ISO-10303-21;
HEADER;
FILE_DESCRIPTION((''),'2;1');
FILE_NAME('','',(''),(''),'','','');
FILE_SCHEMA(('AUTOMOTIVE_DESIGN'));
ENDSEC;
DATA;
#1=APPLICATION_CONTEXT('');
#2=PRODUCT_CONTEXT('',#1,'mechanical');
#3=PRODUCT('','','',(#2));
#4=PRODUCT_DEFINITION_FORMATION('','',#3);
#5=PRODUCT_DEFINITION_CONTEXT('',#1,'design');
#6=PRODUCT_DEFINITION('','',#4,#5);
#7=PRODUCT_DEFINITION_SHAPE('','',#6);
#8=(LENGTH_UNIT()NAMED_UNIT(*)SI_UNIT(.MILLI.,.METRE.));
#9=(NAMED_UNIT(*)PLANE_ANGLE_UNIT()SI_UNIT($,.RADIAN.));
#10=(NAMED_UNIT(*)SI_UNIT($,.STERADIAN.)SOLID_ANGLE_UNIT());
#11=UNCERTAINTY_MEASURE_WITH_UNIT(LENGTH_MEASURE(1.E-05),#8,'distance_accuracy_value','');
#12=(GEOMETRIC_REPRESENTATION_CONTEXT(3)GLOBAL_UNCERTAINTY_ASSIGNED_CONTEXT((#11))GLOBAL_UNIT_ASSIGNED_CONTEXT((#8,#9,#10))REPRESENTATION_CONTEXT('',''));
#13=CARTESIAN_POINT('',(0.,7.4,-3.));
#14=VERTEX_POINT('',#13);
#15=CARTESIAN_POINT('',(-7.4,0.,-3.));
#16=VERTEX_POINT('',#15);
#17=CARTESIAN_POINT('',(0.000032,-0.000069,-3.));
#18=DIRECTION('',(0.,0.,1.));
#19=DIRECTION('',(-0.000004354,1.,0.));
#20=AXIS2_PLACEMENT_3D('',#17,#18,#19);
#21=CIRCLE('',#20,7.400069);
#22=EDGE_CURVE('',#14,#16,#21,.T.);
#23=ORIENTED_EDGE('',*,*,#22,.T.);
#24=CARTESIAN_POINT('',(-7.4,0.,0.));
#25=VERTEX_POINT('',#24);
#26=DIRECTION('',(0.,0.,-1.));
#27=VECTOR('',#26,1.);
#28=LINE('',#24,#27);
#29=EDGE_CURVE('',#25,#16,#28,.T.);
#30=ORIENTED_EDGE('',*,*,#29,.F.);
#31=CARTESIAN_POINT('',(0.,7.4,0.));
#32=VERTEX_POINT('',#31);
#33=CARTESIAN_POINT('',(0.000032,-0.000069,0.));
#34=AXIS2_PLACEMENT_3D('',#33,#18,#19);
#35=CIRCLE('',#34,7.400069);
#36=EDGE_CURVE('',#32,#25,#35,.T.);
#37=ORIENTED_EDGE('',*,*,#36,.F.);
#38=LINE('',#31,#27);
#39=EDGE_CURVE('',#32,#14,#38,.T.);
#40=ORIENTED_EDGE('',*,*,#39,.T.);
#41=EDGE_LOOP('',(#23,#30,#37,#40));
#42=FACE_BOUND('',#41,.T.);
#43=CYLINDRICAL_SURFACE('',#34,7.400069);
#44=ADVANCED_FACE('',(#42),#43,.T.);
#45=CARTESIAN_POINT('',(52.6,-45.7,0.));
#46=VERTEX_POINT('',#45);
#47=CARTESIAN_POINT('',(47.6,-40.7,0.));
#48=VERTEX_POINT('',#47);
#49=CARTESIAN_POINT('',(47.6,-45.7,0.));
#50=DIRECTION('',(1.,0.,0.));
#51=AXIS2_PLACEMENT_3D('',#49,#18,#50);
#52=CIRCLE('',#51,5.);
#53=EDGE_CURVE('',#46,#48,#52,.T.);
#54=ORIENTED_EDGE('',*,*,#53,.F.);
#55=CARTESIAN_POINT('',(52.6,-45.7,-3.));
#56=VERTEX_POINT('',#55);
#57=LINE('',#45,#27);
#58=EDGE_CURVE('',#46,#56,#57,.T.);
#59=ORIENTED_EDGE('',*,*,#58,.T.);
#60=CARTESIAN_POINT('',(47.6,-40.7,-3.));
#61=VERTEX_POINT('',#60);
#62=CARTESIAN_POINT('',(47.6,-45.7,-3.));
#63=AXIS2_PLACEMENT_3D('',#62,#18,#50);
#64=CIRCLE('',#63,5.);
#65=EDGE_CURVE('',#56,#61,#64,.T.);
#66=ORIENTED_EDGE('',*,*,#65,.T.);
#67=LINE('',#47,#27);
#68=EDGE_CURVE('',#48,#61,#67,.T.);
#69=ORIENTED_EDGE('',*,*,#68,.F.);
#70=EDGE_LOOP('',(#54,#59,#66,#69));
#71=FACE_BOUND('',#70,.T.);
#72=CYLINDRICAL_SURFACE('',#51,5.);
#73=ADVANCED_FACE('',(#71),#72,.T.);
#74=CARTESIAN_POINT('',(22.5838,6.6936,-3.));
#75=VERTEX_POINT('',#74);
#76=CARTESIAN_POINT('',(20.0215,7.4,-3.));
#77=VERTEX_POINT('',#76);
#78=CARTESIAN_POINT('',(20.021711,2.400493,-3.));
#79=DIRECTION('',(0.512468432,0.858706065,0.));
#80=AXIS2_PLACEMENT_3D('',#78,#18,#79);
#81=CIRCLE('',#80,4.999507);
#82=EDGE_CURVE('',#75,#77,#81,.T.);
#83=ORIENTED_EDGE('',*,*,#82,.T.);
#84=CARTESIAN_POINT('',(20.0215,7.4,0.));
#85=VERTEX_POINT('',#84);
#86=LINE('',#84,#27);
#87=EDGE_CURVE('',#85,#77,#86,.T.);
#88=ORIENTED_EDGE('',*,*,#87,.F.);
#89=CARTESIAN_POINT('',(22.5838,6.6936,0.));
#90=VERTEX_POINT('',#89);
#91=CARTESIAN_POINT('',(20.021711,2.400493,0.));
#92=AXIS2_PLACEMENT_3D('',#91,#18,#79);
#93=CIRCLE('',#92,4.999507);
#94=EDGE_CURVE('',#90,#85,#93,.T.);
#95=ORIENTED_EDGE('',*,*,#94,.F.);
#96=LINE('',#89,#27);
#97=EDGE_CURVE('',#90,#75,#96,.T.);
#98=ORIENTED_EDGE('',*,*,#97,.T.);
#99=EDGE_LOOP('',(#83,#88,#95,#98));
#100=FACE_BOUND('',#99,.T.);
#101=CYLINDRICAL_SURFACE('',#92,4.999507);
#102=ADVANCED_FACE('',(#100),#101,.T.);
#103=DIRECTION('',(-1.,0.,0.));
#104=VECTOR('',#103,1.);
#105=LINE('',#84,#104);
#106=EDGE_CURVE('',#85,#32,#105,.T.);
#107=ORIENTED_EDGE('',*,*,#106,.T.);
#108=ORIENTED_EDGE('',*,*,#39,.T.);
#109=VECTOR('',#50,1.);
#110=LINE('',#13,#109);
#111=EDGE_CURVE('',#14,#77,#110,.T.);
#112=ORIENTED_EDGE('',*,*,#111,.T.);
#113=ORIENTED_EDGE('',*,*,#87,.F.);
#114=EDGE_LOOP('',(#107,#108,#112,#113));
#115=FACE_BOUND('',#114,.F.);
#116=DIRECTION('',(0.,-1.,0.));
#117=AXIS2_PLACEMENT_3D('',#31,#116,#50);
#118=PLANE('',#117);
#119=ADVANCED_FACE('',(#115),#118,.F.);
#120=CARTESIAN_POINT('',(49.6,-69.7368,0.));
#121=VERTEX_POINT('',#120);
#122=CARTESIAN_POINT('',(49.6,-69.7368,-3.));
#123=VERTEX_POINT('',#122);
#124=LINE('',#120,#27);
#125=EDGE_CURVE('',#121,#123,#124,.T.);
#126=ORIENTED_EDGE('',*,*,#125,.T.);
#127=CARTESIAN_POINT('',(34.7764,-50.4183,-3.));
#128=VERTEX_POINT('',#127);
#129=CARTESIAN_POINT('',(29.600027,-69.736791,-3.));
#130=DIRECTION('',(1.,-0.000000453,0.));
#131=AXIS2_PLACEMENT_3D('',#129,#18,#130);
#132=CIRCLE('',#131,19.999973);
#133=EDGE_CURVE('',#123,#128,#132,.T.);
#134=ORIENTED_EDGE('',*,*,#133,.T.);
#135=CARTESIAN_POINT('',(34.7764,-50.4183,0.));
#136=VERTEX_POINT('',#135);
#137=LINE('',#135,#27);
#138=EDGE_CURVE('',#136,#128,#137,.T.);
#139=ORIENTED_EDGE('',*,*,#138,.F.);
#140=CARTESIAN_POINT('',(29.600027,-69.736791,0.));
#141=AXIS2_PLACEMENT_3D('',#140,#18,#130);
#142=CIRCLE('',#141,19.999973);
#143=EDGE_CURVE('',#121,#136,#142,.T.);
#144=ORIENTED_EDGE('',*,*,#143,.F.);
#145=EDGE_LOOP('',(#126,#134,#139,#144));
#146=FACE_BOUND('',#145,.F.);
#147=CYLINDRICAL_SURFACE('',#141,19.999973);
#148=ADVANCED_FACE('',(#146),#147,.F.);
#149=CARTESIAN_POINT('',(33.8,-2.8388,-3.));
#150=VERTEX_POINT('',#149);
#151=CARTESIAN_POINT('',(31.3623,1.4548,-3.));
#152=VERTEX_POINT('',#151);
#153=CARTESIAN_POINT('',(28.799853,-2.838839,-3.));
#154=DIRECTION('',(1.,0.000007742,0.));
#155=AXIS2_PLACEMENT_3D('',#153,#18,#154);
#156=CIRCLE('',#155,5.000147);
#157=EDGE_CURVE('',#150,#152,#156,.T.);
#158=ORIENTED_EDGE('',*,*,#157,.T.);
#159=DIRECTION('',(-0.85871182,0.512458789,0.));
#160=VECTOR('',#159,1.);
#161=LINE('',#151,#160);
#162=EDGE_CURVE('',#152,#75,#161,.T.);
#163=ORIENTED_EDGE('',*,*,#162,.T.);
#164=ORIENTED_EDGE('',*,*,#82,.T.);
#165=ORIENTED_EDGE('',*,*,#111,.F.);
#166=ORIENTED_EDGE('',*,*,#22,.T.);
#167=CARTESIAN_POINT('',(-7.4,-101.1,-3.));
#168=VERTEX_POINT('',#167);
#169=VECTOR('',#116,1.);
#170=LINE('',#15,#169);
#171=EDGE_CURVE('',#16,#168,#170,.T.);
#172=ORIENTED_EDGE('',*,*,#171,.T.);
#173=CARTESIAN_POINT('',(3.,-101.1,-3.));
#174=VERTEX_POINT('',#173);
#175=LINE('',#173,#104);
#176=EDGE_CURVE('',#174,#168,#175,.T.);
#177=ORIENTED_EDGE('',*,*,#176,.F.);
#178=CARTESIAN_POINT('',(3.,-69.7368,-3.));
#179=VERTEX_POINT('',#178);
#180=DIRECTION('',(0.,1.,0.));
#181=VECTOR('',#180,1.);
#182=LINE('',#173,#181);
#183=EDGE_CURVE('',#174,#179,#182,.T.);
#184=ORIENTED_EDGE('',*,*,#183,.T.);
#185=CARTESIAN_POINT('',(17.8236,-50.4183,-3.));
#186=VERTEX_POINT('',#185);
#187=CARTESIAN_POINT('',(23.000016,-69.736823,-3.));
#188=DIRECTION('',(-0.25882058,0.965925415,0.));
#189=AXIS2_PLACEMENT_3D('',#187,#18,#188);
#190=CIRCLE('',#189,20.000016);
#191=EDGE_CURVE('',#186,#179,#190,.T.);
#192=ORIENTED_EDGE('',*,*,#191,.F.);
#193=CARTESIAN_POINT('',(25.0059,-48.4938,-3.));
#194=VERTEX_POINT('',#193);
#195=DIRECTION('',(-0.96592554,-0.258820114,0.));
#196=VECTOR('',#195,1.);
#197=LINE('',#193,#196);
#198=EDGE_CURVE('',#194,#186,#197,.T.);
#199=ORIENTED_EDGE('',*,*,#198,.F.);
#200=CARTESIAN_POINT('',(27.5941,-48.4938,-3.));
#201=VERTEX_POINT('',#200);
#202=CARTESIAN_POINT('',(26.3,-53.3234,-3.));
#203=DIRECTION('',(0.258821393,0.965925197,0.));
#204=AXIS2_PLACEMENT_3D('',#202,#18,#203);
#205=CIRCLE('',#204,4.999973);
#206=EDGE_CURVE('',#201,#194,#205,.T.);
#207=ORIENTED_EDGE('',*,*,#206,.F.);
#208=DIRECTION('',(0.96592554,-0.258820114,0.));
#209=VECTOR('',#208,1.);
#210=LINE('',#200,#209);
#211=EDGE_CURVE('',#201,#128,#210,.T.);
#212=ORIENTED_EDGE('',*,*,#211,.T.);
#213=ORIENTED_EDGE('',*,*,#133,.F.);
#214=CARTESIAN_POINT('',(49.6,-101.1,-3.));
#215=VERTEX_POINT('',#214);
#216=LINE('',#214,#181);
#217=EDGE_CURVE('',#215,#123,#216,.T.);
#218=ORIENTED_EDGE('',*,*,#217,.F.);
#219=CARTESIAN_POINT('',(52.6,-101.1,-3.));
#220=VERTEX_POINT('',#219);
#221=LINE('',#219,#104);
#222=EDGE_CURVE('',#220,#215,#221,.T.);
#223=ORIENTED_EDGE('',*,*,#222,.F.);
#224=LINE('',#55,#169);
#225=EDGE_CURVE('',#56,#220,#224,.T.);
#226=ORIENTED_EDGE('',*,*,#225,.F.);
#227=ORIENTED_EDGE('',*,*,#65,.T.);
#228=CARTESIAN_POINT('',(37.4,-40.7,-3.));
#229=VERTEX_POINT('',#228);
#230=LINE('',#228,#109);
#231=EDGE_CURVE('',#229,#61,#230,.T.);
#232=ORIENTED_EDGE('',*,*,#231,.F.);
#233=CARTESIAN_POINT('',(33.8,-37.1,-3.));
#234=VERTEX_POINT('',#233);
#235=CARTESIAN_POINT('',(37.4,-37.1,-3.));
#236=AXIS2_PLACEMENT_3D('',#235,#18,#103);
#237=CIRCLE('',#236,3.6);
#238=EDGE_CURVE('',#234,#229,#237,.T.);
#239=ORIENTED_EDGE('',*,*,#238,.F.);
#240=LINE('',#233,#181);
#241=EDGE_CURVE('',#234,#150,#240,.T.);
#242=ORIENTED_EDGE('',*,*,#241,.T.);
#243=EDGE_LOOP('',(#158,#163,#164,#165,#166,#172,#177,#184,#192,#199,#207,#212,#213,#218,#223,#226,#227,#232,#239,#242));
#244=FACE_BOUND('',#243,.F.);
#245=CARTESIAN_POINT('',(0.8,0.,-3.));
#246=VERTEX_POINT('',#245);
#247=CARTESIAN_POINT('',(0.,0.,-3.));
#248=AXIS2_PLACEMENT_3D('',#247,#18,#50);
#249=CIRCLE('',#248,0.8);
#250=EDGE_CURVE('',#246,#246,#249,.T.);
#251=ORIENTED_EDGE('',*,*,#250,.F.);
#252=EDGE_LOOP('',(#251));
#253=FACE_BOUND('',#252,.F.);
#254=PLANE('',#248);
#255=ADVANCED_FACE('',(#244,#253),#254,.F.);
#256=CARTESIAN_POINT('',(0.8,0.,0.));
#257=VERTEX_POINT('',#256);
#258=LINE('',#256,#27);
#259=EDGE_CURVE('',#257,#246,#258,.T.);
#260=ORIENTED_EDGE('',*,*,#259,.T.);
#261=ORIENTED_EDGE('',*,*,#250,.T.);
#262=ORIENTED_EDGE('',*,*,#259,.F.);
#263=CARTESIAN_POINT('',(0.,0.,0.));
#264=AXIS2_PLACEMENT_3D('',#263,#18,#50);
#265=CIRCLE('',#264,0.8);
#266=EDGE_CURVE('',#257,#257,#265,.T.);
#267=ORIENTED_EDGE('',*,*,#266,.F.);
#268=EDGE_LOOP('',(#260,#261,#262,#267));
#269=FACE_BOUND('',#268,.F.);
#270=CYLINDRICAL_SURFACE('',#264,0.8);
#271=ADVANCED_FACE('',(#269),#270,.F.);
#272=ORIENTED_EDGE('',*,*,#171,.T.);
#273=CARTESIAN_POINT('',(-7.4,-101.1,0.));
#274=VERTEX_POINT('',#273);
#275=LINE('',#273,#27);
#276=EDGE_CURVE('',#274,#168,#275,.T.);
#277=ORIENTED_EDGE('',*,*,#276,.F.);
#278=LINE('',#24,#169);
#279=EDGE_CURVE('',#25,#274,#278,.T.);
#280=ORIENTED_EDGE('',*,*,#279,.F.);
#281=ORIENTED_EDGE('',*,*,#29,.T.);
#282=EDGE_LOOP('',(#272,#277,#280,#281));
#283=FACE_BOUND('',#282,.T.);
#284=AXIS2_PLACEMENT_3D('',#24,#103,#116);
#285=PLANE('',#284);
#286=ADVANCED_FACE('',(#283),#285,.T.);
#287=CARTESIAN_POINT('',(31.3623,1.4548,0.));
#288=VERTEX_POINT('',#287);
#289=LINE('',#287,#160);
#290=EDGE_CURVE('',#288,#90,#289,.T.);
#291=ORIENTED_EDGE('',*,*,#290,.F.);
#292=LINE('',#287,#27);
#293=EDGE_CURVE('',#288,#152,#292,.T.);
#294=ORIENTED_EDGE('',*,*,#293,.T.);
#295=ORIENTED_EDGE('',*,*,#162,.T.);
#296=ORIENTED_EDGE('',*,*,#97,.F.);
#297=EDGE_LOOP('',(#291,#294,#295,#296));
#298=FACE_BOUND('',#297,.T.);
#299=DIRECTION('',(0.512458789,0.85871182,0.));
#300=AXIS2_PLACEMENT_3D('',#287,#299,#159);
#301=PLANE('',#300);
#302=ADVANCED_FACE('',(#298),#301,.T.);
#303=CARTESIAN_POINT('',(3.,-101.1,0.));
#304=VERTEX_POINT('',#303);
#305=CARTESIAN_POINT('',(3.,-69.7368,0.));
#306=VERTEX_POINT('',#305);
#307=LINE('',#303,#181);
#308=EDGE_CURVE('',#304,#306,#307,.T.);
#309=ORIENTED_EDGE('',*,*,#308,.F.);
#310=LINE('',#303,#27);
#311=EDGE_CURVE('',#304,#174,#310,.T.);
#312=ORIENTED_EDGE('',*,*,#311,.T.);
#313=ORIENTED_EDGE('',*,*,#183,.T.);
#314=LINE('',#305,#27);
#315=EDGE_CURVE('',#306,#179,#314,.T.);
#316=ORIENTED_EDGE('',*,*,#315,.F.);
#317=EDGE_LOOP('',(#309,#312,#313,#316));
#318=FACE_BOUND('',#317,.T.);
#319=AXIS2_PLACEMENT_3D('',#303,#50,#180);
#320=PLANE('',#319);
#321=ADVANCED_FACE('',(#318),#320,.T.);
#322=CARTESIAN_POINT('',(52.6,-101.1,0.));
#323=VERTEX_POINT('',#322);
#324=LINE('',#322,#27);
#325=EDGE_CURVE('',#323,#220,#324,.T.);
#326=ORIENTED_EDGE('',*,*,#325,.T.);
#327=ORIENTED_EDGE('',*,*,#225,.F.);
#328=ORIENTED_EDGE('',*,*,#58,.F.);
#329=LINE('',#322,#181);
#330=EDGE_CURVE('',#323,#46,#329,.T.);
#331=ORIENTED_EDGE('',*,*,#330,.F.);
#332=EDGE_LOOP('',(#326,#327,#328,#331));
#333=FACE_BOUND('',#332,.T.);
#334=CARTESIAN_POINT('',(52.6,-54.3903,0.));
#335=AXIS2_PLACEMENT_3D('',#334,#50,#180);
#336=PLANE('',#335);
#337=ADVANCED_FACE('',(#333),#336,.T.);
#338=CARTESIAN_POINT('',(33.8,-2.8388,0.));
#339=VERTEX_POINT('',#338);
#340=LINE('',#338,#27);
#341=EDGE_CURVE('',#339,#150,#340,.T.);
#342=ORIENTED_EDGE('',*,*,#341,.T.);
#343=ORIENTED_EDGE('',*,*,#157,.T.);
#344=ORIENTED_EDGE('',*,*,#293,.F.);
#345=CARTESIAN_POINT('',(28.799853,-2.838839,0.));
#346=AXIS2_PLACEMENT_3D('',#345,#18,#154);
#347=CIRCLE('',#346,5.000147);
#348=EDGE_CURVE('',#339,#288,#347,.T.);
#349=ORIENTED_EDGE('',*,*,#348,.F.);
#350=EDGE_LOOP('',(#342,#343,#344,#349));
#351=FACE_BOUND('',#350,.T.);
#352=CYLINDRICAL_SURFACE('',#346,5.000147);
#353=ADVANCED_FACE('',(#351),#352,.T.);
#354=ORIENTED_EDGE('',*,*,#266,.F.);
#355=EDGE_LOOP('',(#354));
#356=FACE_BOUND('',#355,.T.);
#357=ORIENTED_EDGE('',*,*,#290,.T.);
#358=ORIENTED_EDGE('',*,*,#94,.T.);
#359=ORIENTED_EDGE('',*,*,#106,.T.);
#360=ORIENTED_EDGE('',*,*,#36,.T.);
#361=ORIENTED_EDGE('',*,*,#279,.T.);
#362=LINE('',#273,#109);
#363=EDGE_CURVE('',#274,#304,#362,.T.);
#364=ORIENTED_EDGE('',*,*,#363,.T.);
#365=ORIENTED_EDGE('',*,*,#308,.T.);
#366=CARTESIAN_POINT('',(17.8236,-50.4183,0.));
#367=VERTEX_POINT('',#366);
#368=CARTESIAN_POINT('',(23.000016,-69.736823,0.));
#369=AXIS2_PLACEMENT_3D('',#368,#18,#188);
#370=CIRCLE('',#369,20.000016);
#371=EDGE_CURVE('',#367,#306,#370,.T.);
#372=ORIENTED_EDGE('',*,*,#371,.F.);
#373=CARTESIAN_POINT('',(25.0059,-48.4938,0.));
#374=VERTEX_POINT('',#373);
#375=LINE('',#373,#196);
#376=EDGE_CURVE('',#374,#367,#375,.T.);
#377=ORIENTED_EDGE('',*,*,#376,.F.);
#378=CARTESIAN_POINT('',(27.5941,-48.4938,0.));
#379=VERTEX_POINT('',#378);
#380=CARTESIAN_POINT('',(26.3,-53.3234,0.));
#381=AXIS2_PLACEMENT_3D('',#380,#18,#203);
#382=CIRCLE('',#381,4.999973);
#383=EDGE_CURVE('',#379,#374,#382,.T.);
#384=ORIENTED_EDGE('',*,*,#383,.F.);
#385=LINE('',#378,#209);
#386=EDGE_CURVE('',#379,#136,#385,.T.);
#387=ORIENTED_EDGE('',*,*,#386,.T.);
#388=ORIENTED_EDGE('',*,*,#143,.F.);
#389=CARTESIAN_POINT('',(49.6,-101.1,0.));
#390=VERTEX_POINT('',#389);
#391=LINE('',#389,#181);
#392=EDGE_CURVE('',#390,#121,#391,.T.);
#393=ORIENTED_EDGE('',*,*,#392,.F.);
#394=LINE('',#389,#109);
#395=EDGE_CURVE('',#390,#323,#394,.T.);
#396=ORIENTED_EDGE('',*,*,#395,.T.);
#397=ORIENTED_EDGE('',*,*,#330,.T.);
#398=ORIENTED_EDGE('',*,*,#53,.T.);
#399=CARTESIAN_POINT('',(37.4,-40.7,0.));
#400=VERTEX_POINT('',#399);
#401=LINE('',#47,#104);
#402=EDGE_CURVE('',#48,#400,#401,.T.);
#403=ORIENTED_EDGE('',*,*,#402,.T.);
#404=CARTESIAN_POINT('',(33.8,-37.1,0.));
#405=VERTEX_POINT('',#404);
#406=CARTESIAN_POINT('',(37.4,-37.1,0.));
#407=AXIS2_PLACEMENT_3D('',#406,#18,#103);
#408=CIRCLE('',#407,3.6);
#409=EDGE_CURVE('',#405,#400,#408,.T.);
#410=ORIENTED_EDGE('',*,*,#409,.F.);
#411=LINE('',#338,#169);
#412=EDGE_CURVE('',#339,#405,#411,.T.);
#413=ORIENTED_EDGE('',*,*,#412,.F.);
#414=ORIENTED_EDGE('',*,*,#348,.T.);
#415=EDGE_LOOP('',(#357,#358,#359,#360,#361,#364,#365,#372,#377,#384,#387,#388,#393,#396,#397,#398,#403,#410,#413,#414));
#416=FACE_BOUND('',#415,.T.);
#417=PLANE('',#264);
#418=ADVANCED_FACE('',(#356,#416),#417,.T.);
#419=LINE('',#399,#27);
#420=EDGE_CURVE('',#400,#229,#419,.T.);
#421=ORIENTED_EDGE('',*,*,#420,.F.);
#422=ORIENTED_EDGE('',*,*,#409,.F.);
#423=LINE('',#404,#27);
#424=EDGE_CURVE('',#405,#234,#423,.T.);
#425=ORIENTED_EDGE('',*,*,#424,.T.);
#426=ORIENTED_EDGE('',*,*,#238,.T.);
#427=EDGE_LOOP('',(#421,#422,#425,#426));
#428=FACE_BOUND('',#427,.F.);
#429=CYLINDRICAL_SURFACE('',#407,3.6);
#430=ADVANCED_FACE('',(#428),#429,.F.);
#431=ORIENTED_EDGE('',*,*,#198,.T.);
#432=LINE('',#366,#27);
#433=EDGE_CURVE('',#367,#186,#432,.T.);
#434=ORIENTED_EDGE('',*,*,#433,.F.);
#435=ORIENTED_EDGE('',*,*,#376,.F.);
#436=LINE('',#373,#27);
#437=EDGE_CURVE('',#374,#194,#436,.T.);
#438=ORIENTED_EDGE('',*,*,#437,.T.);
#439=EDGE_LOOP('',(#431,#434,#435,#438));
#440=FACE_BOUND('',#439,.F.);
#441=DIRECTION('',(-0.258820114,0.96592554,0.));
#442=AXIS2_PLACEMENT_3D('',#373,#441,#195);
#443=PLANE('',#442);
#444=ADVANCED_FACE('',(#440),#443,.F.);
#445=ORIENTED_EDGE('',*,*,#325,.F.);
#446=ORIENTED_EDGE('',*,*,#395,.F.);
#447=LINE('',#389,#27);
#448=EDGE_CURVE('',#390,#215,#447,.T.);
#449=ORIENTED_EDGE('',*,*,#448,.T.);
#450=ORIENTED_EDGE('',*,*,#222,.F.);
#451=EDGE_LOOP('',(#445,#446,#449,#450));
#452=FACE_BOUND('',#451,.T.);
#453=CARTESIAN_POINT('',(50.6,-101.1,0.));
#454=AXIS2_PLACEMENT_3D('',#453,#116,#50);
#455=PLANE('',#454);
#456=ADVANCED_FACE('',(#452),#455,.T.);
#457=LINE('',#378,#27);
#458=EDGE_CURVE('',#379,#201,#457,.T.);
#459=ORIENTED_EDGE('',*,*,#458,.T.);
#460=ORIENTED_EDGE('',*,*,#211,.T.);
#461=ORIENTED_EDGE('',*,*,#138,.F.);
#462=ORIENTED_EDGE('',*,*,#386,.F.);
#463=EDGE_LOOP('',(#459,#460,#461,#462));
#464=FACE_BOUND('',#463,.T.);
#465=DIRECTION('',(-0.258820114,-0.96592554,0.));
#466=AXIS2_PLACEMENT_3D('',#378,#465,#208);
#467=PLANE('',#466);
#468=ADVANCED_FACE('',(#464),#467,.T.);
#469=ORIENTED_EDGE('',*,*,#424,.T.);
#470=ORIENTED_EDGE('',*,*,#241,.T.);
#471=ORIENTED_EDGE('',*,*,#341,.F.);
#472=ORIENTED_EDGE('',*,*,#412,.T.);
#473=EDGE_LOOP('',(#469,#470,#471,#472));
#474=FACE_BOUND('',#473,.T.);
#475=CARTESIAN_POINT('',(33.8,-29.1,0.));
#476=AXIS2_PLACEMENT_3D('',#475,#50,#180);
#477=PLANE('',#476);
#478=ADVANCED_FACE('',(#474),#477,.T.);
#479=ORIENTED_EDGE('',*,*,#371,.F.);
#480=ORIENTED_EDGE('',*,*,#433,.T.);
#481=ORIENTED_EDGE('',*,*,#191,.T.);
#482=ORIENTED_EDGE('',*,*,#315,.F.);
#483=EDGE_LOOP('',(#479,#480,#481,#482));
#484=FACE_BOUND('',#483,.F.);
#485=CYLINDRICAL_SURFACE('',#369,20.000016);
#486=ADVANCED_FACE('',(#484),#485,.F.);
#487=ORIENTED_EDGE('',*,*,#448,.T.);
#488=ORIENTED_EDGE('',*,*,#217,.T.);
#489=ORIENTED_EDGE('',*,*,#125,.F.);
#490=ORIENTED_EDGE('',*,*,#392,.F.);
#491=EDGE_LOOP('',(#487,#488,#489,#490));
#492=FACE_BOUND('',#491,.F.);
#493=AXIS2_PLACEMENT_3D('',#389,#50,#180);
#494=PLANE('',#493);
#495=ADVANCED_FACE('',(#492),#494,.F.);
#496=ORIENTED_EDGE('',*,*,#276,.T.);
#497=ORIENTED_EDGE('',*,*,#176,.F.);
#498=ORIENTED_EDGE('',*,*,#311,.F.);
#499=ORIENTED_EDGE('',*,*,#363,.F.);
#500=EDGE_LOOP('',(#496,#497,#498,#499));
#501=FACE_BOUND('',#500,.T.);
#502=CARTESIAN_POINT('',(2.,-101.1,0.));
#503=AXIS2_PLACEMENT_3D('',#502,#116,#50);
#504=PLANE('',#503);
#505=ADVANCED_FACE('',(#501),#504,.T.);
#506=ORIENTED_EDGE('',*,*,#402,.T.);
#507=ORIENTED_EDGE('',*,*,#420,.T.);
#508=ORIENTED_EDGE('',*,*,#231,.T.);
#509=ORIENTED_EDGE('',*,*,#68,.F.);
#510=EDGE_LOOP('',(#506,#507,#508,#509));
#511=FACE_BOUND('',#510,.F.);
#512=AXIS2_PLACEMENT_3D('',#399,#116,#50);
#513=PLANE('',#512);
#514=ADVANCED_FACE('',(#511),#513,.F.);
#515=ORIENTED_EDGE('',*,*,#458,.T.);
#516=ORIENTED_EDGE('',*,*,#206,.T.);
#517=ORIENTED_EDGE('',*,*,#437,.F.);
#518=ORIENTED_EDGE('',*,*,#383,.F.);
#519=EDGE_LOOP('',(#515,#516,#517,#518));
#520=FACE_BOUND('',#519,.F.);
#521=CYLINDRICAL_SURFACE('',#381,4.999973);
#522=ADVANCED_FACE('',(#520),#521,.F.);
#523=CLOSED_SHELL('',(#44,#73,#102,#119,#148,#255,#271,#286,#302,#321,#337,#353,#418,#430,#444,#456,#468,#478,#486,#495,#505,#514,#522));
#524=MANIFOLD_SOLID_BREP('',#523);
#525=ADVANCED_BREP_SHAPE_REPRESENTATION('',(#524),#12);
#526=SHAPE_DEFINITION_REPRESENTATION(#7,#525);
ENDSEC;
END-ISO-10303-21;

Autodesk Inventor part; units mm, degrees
ref_plane "YZ Plane" through (0, 0, 0) normal (1, 0, 0) x (0, 1, 0)
ref_plane "XZ Plane" through (0, 0, 0) normal (0, 1, 0) x (-1, 0, 0)
ref_plane "XY Plane" through (0, 0, 0) normal (0, 0, 1) x (1, 0, 0)
sketch "Esboço1" plane through (0, 0, 0) normal (0, 0, 1) x (1, 0, 0)
  circle A0 centre (0, 0) radius 0.8 projected
  circle A1 centre (37.4, -29.1) radius 15.2 projected
  line L0 (50.6, -101.1) -> (52.6, -101.1)
  line L1 (52.6, -101.1) -> (52.6, -45.7)
  line L2 (5.4, 7.4) -> (20.0215, 7.4)
  arc A2 (0, 7.4) -> (-7.2767, -1.3455) centre (0, 0) ccw
  line L3 (33.8, -29.1) -> (33.8, -2.8388)
  line L4 (31.3623, 1.4548) -> (22.5838, 6.6936)
  arc A3 (33.8, -37.1) -> (41, -37.1) centre (37.4, -37.1) ccw projected
  line L5 (33.8, -37.1) -> (33.8, -29.1)
  line L6 (37.4, -40.7) -> (47.6, -40.7)
  line L7 (0, 7.4) -> (7.6354, 7.4)
  line L8 (27.5941, -48.4938) -> (34.7764, -50.4183)
  line L9 (52.6, -101.1) -> (49.6, -101.1)
  line L10 (49.6, -101.1) -> (49.6, -69.7368)
  line L11 (52.6, -54.3903) -> (52.6, -101.1)
  arc A4 (49.6, -69.7368) -> (34.7764, -50.4183) centre (29.6, -69.7368) ccw
  arc A5 (52.6, -45.7) -> (47.6, -40.7) centre (47.6, -45.7) ccw
  arc A6 (22.5838, 6.6936) -> (20.0215, 7.4) centre (20.0215, 2.4) ccw
  arc A7 (33.8, -2.8388) -> (31.3623, 1.4548) centre (28.8, -2.8388) ccw
  line L12 (2, -101.1) -> (0, -101.1)
  line L13 (52.6, -51.1) -> (1.2194, -51.1) construction
  line L14 (25.0059, -48.4938) -> (17.8236, -50.4183)
  line L15 (0, -101.1) -> (3, -101.1)
  line L16 (3, -101.1) -> (3, -69.7368)
  arc A8 (17.8236, -50.4183) -> (3, -69.7368) centre (23, -69.7368) ccw
  circle A9 centre (0, 0) radius 7.4
  arc A10 (27.5941, -48.4938) -> (25.0059, -48.4938) centre (26.3, -53.3234) ccw
  line L17 (-7.4, 0) -> (-7.4, -101.1)
  line L18 (-7.4, -101.1) -> (0, -101.1)
  point P0 (21.4, 7.4)
  point P1 (49.6, -54.3903)
  point P2 (3, -54.3903)
  point P3 (49.5452, -41.9185)
  dimension "d7" = 20
  dimension "d9" = 5
  dimension "d11" = 5
extrude "Extrusão1" add sketch "Esboço1" against normal blind 3 contours L3 L5 A3 L6 A1 | A1 L6 A5 L1 L0 L9 L10 A4 L8 A10 L14 A8 L16 L15 L12 L18 L17 A2 A9 L7 L2 A6 L4 A7 L3 | A9 A2 picked at (30.2417, -33.5073)
properties part number "guarra"
